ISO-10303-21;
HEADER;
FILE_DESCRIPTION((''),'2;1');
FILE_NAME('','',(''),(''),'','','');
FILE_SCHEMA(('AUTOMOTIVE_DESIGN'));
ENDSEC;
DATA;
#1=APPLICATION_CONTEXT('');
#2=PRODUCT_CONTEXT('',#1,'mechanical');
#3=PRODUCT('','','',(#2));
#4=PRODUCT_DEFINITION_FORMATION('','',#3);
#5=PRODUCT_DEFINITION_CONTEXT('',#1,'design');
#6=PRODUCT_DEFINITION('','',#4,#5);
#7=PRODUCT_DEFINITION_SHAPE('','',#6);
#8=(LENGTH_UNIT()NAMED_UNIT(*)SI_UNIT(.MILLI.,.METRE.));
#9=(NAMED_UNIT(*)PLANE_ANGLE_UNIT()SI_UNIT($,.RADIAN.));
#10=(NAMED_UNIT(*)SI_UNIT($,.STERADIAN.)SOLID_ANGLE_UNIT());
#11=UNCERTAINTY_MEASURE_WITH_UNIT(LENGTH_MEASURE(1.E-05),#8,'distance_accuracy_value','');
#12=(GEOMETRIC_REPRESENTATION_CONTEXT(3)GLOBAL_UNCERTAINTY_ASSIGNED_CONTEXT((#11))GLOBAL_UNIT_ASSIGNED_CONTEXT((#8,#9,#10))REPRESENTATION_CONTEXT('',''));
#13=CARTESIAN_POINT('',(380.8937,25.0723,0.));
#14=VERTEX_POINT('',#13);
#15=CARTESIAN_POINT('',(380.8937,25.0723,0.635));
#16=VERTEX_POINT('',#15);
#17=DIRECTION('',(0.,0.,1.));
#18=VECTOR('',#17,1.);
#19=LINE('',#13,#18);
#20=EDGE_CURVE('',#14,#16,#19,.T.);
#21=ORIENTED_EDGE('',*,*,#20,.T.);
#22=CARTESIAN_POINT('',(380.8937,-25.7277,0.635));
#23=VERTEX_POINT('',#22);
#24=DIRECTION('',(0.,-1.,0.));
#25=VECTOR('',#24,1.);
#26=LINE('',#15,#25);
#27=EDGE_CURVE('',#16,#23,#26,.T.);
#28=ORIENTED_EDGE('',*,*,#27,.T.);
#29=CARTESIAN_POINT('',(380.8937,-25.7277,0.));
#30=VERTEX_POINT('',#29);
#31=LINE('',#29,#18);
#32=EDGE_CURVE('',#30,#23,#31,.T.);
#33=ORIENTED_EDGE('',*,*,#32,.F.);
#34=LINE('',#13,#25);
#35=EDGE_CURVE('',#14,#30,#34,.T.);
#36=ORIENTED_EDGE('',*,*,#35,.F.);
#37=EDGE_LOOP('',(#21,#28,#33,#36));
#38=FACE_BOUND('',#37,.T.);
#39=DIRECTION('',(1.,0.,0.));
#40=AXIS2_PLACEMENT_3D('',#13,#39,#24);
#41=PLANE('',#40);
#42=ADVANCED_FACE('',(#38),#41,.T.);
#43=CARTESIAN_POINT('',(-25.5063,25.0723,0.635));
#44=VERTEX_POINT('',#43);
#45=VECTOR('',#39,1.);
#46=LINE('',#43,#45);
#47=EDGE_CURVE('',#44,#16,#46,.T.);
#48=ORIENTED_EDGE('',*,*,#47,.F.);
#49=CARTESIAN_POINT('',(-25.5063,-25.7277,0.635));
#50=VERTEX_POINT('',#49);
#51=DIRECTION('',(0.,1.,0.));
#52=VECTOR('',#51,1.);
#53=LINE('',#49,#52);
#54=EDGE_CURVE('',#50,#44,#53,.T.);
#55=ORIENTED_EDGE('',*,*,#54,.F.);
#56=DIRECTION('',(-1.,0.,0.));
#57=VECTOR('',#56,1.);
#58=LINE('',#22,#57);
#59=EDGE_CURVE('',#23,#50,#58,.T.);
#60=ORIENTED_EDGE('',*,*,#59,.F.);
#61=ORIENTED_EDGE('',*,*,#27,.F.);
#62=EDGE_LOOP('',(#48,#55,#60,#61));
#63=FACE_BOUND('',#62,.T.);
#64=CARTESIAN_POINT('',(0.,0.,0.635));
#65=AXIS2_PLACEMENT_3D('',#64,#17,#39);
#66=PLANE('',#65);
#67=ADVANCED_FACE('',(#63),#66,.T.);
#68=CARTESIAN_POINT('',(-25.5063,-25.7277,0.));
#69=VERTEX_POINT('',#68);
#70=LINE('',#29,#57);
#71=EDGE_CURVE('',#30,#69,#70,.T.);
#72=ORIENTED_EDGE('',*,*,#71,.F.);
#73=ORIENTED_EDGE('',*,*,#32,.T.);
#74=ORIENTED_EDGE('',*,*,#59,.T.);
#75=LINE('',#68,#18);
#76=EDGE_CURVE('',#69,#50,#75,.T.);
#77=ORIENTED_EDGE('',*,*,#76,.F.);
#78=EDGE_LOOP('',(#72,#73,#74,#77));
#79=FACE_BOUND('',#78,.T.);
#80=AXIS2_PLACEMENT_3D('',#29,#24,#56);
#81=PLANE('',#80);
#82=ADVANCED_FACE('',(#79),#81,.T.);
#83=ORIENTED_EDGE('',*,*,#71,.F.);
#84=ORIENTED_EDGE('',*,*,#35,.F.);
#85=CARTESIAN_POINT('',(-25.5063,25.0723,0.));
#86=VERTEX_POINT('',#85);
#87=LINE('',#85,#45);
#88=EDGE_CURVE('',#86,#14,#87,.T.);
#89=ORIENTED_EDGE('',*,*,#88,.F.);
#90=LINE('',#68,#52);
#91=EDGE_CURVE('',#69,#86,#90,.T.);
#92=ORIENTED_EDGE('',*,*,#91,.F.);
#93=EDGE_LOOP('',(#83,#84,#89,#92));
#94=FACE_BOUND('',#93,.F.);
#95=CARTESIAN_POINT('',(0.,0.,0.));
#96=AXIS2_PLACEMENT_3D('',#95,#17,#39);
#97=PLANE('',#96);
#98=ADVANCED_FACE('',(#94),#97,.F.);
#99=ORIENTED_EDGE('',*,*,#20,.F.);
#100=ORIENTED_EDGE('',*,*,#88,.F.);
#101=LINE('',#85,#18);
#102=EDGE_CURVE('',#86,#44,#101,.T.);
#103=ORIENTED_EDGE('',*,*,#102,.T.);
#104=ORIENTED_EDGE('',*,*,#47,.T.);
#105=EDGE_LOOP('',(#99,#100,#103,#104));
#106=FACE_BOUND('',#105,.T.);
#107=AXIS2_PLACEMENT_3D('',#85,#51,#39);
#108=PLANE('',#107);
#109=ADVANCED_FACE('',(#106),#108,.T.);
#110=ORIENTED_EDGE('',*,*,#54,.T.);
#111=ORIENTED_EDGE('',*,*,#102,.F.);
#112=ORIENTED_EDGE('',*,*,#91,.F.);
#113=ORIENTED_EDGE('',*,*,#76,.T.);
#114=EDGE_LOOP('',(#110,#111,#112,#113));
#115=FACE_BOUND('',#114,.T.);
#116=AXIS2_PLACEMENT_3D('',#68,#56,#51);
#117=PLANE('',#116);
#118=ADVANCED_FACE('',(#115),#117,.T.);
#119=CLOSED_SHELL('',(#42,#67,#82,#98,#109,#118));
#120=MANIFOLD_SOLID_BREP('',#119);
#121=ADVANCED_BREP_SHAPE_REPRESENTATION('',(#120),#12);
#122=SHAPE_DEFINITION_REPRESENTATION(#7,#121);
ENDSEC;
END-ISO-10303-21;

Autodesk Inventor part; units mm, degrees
ref_plane "YZ Plane" through (0, 0, 0) normal (1, 0, 0) x (0, 1, 0)
ref_plane "XZ Plane" through (0, 0, 0) normal (0, 1, 0) x (-1, 0, 0)
ref_plane "XY Plane" through (0, 0, 0) normal (0, 0, 1) x (1, 0, 0)
sketch "Sketch1" plane through (0, 0, 0) normal (0, 0, 1) x (1, 0, 0)
  line L0 (-25.5063, 25.0723) -> (380.8937, 25.0723)
  line L1 (380.8937, 25.0723) -> (380.8937, -25.7277)
  line L2 (380.8937, -25.7277) -> (-25.5063, -25.7277)
  line L3 (-25.5063, -25.7277) -> (-25.5063, 25.0723)
  point P0 (0, 0)
  dimension "d0" = 406.4
  dimension "d1" = 50.8
extrude "Extrusion1" add sketch "Sketch1" along normal blind 0.635
properties part number "Velcro"
